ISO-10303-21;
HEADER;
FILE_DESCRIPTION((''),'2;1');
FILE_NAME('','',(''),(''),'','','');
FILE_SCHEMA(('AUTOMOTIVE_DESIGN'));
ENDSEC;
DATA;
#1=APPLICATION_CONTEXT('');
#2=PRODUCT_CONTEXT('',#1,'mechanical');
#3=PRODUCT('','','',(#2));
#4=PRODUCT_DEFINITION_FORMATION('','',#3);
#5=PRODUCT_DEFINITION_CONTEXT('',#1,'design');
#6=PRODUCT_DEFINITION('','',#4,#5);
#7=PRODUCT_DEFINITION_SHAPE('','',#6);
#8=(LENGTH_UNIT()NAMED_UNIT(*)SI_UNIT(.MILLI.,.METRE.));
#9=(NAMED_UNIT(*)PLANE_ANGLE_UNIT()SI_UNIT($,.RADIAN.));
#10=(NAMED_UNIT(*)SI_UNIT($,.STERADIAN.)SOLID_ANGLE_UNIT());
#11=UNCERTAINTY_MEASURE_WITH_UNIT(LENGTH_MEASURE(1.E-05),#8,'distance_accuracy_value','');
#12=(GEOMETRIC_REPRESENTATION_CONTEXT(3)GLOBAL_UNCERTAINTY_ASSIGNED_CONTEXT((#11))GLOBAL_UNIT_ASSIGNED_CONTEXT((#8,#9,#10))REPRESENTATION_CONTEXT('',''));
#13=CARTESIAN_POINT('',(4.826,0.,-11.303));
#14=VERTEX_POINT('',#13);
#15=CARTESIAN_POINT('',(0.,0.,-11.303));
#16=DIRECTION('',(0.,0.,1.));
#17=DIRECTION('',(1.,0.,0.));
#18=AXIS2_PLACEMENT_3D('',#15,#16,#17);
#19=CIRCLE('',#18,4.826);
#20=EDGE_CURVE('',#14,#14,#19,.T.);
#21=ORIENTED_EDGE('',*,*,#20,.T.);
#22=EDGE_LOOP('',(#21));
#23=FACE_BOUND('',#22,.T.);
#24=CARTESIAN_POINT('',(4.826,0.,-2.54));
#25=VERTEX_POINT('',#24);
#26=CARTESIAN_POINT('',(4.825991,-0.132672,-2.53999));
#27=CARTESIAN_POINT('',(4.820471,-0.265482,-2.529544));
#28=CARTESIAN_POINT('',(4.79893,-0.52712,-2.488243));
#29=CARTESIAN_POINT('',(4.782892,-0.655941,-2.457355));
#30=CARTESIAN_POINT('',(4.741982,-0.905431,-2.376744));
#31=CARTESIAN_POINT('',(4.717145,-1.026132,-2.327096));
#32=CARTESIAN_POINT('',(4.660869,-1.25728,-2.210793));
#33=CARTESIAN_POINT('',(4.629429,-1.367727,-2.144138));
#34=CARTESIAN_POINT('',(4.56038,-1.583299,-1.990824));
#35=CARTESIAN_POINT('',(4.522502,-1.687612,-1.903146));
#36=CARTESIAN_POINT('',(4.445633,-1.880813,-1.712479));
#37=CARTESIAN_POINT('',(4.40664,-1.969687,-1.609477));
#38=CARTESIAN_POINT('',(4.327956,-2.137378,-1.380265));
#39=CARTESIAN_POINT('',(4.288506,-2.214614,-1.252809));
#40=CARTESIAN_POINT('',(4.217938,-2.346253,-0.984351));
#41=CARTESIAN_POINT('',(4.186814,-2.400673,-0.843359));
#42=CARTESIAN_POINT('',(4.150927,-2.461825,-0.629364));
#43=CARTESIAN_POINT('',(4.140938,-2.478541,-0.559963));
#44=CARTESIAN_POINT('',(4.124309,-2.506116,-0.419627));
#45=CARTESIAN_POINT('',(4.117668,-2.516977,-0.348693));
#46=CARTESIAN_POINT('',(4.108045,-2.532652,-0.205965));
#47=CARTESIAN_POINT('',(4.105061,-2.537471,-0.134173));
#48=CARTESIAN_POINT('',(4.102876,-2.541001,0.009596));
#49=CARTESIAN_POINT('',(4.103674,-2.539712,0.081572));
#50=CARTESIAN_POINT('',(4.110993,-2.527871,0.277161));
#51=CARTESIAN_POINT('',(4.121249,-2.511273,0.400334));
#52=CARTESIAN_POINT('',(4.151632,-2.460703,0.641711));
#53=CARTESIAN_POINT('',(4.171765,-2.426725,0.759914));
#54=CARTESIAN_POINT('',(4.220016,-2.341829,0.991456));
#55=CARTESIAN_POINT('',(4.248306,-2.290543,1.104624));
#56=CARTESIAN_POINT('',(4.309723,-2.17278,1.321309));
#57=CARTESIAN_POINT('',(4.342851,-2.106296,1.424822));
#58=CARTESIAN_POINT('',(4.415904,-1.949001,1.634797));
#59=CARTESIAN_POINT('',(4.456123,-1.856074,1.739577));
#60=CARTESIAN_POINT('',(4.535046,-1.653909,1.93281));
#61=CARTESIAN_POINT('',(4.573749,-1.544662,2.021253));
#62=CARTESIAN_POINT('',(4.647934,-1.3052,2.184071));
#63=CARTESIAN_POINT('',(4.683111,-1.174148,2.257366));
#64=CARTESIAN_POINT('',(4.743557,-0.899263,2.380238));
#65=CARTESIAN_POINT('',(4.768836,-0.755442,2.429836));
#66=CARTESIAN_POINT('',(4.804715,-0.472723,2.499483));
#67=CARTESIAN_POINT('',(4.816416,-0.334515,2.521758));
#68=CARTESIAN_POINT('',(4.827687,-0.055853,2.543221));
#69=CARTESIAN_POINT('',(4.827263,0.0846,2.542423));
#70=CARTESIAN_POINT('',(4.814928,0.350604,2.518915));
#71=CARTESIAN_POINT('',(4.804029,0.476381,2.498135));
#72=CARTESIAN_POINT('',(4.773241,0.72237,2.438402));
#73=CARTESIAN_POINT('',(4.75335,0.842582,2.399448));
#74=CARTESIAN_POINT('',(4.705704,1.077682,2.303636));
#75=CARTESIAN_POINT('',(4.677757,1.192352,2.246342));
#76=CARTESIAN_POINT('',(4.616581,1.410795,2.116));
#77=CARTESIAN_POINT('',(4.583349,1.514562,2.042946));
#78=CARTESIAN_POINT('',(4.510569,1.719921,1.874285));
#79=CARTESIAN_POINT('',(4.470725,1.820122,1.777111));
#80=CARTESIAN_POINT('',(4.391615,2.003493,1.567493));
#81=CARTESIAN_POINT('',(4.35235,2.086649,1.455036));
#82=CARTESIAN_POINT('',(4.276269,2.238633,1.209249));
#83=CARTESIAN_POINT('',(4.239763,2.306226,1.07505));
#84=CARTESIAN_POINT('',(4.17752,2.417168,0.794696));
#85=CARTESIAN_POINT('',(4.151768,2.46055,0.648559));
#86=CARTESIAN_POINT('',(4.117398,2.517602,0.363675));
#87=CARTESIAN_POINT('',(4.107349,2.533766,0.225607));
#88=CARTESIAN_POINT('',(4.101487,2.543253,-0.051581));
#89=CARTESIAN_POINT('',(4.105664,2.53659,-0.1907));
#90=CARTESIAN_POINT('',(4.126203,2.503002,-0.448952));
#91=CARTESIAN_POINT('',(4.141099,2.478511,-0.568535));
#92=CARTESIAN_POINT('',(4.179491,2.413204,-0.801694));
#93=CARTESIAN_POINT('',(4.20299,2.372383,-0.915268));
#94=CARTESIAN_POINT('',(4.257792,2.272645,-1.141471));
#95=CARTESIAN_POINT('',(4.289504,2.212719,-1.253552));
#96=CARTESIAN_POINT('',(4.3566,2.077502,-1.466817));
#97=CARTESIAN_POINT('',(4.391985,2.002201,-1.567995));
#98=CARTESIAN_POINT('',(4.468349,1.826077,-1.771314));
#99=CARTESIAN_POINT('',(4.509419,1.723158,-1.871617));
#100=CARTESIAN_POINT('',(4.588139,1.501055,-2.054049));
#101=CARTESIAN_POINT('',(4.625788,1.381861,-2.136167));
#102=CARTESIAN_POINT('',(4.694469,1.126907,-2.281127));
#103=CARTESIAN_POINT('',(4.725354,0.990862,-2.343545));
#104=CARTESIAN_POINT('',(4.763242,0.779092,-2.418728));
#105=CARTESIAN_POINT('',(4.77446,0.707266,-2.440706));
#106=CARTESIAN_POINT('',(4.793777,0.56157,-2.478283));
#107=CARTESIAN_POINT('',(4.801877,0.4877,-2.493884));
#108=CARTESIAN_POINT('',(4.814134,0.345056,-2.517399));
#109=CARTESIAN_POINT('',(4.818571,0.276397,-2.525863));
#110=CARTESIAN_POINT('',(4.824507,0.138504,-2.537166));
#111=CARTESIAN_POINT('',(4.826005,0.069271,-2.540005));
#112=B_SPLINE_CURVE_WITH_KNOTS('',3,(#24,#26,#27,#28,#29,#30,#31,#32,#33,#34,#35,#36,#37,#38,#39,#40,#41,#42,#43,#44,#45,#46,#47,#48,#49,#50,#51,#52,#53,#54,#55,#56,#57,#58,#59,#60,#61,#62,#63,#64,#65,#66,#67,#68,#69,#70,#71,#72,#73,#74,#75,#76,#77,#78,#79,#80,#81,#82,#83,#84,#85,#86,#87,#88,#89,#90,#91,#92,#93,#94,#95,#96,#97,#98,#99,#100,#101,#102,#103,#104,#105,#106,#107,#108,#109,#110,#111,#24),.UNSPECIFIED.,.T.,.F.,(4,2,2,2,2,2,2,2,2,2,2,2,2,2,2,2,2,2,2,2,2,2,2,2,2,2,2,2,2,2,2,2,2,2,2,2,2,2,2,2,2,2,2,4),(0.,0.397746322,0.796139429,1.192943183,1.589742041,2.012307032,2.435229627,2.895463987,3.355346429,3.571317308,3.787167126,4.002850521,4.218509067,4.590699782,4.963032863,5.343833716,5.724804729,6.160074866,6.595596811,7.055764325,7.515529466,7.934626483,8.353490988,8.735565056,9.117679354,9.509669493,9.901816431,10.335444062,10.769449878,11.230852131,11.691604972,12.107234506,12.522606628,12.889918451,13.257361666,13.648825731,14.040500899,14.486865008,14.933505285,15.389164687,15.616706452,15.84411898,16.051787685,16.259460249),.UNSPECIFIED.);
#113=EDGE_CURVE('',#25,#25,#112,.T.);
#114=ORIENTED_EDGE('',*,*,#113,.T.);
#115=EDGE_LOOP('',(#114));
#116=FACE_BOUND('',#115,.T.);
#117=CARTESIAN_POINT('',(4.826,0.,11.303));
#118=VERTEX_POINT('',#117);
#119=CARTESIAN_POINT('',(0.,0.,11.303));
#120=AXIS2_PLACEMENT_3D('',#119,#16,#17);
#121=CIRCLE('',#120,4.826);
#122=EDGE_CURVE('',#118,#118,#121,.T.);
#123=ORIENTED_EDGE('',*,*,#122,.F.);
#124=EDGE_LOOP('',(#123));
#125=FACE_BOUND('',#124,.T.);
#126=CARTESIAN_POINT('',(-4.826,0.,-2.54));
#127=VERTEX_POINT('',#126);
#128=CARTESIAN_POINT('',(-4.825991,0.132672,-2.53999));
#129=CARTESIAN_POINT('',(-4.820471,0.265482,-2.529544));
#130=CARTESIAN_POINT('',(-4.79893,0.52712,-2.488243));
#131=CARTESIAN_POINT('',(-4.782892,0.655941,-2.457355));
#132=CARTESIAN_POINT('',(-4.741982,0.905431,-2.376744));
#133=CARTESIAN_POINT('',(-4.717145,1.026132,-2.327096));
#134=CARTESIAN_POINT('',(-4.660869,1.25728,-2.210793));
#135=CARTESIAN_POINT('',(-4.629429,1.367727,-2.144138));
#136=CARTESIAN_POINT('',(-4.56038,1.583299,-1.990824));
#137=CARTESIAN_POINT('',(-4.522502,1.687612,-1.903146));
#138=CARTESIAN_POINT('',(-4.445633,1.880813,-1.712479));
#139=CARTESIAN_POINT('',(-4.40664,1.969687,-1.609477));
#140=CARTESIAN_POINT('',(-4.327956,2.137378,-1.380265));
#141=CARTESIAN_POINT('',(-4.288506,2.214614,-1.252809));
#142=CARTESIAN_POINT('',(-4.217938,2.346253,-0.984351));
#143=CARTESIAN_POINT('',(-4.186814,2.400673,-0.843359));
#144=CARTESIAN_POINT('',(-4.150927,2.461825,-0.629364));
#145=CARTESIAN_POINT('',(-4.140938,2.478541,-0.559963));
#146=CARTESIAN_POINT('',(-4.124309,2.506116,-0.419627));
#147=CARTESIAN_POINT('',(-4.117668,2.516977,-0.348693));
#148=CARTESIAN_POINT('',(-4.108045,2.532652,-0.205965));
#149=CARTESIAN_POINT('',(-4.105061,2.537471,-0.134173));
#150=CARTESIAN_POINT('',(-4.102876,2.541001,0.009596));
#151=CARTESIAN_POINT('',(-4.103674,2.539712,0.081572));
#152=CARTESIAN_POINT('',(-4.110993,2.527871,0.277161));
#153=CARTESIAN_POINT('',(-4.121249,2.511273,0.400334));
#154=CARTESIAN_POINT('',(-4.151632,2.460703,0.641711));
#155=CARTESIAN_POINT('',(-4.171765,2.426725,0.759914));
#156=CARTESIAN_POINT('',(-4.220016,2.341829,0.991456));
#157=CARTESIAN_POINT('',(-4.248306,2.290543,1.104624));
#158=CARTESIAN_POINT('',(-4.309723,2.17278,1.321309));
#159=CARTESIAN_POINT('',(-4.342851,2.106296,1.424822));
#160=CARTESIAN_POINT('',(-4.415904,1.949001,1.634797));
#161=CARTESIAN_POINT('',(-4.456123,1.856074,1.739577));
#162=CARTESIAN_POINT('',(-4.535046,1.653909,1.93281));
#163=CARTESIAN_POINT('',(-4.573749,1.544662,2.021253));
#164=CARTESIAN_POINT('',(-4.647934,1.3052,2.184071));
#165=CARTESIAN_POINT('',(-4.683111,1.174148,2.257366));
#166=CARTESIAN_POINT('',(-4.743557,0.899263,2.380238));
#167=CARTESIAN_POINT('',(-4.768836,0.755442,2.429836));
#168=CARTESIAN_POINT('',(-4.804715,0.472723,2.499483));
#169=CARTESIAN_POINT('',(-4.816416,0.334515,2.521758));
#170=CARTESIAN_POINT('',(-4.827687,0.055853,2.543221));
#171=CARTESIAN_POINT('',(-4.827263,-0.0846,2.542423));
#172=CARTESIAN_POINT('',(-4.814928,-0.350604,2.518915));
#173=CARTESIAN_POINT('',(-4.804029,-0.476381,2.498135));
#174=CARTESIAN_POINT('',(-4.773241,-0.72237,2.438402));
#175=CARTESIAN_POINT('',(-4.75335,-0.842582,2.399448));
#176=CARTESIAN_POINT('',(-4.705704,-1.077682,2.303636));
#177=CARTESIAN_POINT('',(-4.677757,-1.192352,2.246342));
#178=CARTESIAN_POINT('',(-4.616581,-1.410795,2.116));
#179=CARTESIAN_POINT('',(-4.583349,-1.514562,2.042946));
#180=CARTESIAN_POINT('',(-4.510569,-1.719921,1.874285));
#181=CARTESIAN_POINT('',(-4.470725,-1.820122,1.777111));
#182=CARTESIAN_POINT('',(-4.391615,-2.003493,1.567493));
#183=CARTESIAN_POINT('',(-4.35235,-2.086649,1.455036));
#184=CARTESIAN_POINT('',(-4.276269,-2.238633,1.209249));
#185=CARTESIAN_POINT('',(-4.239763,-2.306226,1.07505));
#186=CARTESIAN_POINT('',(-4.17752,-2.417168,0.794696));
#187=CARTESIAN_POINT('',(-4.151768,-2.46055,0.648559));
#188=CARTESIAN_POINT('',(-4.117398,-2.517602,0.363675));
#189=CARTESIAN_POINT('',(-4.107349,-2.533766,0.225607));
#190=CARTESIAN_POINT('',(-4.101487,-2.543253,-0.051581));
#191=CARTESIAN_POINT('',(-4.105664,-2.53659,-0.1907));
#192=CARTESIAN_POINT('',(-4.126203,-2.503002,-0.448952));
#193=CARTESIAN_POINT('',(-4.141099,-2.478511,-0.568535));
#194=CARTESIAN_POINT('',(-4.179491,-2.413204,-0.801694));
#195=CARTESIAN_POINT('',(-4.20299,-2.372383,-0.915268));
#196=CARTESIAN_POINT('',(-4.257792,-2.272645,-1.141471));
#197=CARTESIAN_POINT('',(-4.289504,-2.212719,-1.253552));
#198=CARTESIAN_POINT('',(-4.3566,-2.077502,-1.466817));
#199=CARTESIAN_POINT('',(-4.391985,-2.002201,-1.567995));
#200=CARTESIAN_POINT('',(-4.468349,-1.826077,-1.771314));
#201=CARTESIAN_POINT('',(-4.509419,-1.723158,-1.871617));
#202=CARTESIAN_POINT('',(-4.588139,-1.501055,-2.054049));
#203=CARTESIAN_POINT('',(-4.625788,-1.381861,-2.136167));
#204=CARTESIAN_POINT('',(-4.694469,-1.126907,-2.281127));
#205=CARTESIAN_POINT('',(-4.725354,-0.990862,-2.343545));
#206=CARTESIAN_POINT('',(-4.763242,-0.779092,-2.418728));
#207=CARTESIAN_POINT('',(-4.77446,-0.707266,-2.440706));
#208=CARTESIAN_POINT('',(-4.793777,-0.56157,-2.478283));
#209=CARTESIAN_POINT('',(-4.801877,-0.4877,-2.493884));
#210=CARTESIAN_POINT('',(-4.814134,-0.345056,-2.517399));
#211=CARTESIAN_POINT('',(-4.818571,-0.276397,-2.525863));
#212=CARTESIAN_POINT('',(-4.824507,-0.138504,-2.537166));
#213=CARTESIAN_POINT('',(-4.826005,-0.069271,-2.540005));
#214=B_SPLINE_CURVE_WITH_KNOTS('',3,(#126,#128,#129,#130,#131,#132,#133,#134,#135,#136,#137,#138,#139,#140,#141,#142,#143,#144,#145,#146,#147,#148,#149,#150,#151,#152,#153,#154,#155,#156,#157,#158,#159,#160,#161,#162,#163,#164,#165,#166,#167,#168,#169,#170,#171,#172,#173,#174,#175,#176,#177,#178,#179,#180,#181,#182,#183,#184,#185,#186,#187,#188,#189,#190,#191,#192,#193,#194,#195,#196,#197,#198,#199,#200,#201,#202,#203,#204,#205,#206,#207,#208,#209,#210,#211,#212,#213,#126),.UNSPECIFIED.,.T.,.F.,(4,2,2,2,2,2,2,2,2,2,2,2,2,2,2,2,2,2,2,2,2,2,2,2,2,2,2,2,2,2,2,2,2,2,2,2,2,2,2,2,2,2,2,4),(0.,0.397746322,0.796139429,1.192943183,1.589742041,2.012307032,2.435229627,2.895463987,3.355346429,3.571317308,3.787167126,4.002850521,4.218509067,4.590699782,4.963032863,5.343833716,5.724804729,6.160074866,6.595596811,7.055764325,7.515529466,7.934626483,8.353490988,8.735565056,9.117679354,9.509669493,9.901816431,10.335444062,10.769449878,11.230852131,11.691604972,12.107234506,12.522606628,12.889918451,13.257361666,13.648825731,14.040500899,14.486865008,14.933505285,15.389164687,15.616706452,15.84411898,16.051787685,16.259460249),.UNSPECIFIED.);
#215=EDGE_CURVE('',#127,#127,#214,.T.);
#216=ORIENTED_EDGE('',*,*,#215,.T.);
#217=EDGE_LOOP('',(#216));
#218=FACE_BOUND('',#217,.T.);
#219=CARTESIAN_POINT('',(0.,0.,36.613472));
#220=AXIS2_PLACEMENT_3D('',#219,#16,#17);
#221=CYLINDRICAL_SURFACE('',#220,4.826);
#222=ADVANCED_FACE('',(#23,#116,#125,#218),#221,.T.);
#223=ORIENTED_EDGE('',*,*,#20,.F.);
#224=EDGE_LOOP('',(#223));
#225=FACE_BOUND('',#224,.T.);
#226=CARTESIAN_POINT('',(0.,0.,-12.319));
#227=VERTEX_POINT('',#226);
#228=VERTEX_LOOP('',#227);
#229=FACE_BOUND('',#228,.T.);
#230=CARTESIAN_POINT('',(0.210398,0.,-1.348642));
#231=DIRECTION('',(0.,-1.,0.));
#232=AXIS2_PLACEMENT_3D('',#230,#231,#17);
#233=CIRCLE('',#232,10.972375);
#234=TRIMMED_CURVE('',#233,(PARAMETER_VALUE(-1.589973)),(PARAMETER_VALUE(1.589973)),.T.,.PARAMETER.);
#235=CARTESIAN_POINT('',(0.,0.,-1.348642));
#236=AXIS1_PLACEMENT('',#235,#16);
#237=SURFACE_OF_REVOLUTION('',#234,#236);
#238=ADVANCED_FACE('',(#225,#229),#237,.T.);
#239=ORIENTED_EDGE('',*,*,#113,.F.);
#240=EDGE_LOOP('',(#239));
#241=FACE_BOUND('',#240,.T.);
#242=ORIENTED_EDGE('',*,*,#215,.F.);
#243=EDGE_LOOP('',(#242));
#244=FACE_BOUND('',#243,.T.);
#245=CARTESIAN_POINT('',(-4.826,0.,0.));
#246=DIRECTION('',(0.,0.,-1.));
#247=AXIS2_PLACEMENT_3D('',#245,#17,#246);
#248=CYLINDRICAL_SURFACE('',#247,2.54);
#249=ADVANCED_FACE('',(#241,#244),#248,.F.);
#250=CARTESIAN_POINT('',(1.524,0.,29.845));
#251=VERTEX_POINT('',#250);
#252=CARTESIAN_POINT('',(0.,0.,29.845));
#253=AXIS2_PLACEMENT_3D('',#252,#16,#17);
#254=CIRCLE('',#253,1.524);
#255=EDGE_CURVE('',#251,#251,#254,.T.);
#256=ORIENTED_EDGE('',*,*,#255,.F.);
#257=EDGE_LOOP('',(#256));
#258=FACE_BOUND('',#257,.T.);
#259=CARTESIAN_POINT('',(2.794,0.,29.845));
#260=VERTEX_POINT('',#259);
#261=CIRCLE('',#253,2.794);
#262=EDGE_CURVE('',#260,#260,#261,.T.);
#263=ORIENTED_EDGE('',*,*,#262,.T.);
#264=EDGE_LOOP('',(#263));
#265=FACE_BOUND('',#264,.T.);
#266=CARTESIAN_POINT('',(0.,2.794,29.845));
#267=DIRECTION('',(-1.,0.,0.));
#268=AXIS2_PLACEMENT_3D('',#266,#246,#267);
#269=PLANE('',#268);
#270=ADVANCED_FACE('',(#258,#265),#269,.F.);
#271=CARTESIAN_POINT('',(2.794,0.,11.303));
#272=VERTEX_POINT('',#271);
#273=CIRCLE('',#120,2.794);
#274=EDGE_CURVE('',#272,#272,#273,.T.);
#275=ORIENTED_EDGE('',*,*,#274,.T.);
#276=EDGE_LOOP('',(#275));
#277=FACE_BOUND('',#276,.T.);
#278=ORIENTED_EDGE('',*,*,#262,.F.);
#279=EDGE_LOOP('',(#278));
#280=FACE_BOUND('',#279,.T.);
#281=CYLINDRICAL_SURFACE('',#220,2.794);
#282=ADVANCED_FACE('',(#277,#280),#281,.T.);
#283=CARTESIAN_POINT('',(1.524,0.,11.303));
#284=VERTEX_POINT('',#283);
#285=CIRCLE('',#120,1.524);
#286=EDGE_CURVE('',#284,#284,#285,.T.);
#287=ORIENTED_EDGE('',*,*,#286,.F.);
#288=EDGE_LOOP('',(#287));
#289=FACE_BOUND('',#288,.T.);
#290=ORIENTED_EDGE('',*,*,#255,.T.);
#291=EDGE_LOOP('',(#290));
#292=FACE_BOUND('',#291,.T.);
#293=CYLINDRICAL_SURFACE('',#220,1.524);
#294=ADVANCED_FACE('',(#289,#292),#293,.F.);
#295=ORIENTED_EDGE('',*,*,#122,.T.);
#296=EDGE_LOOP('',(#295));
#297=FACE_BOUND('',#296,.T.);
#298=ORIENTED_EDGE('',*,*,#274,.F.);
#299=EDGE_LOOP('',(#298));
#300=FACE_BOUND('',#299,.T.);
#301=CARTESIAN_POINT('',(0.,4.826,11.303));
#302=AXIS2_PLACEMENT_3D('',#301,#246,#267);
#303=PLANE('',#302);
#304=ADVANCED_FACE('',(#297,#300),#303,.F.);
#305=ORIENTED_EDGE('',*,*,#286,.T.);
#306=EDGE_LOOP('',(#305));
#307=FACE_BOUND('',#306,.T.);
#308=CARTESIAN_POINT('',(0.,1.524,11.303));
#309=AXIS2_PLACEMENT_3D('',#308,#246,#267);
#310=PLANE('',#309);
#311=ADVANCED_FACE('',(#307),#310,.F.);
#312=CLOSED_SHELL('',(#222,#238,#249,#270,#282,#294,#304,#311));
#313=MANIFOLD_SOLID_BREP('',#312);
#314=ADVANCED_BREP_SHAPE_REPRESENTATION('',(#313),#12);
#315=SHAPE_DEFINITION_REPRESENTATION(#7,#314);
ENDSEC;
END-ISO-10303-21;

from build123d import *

# Parameters (mm, degrees)
SKETCH2_R               = 2.54
CUT_EXTRUDE2_DEPTH      = 5.8260001
CUT_EXTRUDE2_DEPTH_BACK = 5.8260001


with BuildPart() as part:
    # Sketch1 → Revolve1 (revolve)
    with BuildSketch(Plane(origin=(0, 0, 0), x_dir=(0, 0, -1), z_dir=(1, 0, 0))):
        with BuildLine():
            Line((2.54, 0), (11.303, 0))
            Line((11.303, 0), (12.319, 0))
            ThreePointArc((12.319, 0), (12.085657597, 2.470822652), (11.303, 4.826))
            Line((11.303, 4.826), (-11.303, 4.826))
            Line((-11.303, 4.826), (-11.303, 2.794))
            Line((-11.303, 2.794), (-29.845, 2.794))
            Line((-29.845, 2.794), (-29.845, 1.524))
            Line((-29.845, 1.524), (-11.303, 1.524))
            Line((-11.303, 1.524), (-11.303, 0))
            Line((-11.303, 0), (-2.54, 0))
            ThreePointArc((-2.54, 0), (0, 2.54), (2.54, 0))
        make_face()
    revolve(axis=Axis((0, 0, 36.613472311), (0, 0, -1)))

    # Sketch2 → Cut-Extrude2 (cut, two sides)
    with BuildSketch(Plane(origin=(0, 0, 0), x_dir=(0, 0, -1), z_dir=(1, 0, 0))) as cut_extrude2_sk:
        Circle(SKETCH2_R)
    extrude(amount=CUT_EXTRUDE2_DEPTH, mode=Mode.SUBTRACT)
    extrude(cut_extrude2_sk.sketch, amount=-CUT_EXTRUDE2_DEPTH_BACK, mode=Mode.SUBTRACT)


solid = part.part
